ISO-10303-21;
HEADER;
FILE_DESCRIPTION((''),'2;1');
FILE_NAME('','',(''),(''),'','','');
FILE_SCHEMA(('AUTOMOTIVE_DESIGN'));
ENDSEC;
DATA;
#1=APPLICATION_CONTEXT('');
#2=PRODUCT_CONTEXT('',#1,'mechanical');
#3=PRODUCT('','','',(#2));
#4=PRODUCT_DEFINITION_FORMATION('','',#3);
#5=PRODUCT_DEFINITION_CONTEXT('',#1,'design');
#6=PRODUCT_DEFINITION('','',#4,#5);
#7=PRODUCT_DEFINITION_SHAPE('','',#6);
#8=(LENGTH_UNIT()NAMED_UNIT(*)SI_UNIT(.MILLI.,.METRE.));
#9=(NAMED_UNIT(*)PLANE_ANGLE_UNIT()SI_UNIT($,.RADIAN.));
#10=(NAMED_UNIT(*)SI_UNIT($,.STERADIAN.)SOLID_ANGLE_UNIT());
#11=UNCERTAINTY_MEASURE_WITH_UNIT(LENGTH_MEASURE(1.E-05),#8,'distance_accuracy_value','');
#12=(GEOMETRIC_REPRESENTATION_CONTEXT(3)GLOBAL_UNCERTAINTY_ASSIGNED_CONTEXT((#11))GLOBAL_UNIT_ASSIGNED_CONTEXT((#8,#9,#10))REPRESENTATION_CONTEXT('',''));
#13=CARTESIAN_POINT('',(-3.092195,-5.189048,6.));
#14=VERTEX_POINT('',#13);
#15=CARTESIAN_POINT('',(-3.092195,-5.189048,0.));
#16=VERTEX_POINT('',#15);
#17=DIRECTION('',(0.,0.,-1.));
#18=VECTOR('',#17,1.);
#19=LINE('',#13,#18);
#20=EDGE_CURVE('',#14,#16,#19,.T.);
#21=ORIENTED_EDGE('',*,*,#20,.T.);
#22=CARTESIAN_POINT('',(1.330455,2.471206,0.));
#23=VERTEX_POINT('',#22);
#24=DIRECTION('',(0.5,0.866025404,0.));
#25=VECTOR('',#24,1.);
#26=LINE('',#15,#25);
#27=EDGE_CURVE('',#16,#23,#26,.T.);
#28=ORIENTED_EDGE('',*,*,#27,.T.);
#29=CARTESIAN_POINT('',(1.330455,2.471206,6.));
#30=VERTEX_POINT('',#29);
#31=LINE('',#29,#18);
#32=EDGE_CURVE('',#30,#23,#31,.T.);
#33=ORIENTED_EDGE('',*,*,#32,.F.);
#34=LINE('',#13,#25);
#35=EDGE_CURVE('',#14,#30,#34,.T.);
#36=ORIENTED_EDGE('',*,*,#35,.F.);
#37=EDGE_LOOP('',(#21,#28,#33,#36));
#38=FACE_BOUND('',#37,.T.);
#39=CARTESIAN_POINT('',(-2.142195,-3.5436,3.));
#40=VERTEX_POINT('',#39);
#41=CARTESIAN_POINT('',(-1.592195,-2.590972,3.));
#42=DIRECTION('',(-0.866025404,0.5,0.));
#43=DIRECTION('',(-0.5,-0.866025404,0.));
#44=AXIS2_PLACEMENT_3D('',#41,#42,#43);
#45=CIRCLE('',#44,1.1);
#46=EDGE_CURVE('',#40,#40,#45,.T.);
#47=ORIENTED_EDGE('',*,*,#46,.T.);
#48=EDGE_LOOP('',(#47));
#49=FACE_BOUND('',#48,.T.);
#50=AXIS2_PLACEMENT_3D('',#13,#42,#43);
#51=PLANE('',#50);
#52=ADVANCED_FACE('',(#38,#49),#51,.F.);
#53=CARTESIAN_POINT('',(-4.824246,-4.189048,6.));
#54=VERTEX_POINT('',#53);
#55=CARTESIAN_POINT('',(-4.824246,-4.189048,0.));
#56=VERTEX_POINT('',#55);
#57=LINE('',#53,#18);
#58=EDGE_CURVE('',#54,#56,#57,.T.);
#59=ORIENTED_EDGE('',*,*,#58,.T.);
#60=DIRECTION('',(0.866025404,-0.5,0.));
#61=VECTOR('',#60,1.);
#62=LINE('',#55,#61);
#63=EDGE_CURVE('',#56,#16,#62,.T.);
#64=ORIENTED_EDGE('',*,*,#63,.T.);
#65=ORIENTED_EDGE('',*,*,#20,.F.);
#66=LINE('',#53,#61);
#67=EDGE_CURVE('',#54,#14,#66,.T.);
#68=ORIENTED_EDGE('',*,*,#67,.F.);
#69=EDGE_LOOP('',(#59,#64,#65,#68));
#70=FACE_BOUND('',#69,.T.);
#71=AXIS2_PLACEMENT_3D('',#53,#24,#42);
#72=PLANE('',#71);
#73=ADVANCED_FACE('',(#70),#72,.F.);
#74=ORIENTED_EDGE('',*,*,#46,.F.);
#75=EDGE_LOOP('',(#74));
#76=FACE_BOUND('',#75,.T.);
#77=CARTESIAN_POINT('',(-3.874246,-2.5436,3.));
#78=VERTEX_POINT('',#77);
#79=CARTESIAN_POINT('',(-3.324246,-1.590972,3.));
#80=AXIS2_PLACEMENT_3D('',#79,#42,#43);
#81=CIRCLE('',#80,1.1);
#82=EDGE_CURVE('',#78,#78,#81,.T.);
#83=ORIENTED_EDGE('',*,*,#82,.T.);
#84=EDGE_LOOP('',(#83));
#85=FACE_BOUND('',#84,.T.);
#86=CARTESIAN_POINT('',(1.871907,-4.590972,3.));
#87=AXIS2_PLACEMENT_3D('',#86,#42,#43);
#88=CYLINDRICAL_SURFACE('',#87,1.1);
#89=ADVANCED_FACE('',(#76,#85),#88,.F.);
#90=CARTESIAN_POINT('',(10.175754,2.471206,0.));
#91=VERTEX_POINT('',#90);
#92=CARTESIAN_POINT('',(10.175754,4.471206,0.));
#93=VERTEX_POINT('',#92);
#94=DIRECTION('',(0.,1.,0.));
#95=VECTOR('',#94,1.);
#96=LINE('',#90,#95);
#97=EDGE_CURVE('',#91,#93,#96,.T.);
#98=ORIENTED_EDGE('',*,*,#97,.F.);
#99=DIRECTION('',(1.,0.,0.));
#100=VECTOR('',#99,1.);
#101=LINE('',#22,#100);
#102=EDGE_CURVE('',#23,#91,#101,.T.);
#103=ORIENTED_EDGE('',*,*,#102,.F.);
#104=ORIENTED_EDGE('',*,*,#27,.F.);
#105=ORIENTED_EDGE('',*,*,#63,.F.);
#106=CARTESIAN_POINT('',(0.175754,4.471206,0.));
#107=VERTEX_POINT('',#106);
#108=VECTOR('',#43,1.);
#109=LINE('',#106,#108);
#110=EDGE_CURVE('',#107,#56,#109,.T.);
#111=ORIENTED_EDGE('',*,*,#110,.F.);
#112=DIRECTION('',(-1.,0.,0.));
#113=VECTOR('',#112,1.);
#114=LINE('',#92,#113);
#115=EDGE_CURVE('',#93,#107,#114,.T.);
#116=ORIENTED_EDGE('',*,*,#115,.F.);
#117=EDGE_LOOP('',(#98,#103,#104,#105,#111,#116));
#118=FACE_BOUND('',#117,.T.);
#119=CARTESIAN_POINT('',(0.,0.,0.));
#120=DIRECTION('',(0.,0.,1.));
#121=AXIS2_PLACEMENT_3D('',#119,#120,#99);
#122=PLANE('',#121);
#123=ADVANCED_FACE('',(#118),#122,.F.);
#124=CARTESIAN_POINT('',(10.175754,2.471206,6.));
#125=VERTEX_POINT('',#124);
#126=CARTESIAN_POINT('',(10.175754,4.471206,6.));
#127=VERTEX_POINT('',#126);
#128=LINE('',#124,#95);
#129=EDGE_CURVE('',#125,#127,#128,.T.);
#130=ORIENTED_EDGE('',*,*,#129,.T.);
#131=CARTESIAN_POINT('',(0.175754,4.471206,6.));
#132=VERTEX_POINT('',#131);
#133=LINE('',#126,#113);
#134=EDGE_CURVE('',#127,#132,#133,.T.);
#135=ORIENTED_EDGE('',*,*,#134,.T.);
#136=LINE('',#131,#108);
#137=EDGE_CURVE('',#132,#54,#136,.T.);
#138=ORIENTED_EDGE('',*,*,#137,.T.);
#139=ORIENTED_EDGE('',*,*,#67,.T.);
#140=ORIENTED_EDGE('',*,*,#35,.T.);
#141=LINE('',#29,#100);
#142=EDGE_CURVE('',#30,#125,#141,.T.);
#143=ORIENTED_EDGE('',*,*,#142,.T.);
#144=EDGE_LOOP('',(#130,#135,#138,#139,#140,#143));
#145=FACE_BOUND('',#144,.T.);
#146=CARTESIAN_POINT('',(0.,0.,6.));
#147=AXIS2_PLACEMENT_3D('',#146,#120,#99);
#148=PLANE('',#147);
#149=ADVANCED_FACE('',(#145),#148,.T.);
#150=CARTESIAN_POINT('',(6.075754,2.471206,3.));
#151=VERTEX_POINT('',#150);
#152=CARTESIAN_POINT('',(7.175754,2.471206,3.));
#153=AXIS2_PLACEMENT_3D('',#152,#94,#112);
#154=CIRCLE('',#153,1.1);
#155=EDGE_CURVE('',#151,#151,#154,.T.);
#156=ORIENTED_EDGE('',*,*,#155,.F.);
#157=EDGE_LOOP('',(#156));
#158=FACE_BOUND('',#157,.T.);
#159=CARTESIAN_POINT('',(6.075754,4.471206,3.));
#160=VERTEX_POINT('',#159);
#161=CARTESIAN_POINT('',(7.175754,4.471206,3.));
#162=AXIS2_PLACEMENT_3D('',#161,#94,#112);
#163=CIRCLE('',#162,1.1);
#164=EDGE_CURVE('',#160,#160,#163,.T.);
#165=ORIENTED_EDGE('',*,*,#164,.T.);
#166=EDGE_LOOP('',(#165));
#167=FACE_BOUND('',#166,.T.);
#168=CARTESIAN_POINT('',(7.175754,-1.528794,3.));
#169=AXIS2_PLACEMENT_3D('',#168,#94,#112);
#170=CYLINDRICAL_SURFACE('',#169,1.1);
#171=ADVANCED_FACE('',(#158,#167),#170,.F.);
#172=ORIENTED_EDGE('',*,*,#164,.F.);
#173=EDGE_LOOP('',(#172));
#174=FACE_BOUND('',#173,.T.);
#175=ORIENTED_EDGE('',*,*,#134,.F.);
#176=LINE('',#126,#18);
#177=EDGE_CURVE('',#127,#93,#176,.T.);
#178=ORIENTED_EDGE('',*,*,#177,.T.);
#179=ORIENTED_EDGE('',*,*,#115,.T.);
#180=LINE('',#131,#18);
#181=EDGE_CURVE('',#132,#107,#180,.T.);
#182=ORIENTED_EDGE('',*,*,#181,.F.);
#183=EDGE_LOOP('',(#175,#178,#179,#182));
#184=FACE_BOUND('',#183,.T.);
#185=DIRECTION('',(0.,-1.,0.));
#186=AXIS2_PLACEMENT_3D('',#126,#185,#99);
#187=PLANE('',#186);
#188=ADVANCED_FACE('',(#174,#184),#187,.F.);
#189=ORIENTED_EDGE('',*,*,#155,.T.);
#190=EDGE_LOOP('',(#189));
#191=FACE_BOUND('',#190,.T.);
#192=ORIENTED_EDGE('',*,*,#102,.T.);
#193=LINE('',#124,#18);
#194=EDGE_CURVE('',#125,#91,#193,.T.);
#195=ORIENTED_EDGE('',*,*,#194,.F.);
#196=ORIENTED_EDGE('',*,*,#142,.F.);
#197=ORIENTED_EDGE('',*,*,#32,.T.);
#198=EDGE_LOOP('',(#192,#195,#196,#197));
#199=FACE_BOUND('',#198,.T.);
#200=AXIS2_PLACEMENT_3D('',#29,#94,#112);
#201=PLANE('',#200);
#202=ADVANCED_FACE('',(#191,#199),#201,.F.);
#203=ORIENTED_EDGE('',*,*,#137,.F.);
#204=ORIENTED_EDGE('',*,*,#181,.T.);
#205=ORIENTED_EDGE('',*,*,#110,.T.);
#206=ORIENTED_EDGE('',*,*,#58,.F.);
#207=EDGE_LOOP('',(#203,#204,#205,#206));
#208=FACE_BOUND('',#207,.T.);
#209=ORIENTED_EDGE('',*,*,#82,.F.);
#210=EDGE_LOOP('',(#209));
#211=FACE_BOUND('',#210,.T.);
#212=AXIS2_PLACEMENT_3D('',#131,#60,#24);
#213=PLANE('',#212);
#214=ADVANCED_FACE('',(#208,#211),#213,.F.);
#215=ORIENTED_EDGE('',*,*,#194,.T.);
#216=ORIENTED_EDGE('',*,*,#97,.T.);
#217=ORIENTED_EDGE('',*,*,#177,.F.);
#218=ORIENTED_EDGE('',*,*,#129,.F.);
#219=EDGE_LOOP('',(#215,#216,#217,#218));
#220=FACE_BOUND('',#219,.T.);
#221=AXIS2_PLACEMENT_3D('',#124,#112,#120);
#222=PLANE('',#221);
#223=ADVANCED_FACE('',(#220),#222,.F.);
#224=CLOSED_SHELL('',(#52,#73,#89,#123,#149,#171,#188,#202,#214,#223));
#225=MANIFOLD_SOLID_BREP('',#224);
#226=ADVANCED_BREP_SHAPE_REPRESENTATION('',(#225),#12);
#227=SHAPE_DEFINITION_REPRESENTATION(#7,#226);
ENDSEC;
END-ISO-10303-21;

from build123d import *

# Parameters (mm, degrees)
BOSS_EXTRUDE1_DEPTH = 6
SKETCH2_R           = 1.1
CUT_EXTRUDE1_DEPTH  = 6
SKETCH3_R           = 1.1
CUT_EXTRUDE2_DEPTH  = 6


with BuildPart() as part:
    # Sketch1 → Boss-Extrude1 (new body)
    with BuildSketch(Plane.XY):
        Polygon((10.175754196, 4.471206037), (0.175754196, 4.471206037), (-4.824245804, -4.189048001), (-3.092194996, -5.189048001), (1.330454735, 2.471206037), (10.175754196, 2.471206037), align=None)
    extrude(amount=BOSS_EXTRUDE1_DEPTH)

    # Sketch2 → Cut-Extrude1 (cut)
    with BuildSketch(Plane(origin=(0, 4.471206037, 0), x_dir=(1, 0, 0), z_dir=(0, 1, 0))):
        with Locations(Location((7.175754196, -3, 0), (0, 0, 180))):
            Circle(SKETCH2_R)
    extrude(amount=-CUT_EXTRUDE1_DEPTH, mode=Mode.SUBTRACT)

    # Sketch3 → Cut-Extrude2 (cut)
    with BuildSketch(Plane(origin=(-1.80427336, 1.04169771, 0), x_dir=(0, 0, 1), z_dir=(-0.8660254037844399, 0.4999999999999977, 0))):
        with Locations(Location((3, -3.039944888, 0), (0, 0, 270))):
            Circle(SKETCH3_R)
    extrude(amount=-CUT_EXTRUDE2_DEPTH, mode=Mode.SUBTRACT)


solid = part.part
